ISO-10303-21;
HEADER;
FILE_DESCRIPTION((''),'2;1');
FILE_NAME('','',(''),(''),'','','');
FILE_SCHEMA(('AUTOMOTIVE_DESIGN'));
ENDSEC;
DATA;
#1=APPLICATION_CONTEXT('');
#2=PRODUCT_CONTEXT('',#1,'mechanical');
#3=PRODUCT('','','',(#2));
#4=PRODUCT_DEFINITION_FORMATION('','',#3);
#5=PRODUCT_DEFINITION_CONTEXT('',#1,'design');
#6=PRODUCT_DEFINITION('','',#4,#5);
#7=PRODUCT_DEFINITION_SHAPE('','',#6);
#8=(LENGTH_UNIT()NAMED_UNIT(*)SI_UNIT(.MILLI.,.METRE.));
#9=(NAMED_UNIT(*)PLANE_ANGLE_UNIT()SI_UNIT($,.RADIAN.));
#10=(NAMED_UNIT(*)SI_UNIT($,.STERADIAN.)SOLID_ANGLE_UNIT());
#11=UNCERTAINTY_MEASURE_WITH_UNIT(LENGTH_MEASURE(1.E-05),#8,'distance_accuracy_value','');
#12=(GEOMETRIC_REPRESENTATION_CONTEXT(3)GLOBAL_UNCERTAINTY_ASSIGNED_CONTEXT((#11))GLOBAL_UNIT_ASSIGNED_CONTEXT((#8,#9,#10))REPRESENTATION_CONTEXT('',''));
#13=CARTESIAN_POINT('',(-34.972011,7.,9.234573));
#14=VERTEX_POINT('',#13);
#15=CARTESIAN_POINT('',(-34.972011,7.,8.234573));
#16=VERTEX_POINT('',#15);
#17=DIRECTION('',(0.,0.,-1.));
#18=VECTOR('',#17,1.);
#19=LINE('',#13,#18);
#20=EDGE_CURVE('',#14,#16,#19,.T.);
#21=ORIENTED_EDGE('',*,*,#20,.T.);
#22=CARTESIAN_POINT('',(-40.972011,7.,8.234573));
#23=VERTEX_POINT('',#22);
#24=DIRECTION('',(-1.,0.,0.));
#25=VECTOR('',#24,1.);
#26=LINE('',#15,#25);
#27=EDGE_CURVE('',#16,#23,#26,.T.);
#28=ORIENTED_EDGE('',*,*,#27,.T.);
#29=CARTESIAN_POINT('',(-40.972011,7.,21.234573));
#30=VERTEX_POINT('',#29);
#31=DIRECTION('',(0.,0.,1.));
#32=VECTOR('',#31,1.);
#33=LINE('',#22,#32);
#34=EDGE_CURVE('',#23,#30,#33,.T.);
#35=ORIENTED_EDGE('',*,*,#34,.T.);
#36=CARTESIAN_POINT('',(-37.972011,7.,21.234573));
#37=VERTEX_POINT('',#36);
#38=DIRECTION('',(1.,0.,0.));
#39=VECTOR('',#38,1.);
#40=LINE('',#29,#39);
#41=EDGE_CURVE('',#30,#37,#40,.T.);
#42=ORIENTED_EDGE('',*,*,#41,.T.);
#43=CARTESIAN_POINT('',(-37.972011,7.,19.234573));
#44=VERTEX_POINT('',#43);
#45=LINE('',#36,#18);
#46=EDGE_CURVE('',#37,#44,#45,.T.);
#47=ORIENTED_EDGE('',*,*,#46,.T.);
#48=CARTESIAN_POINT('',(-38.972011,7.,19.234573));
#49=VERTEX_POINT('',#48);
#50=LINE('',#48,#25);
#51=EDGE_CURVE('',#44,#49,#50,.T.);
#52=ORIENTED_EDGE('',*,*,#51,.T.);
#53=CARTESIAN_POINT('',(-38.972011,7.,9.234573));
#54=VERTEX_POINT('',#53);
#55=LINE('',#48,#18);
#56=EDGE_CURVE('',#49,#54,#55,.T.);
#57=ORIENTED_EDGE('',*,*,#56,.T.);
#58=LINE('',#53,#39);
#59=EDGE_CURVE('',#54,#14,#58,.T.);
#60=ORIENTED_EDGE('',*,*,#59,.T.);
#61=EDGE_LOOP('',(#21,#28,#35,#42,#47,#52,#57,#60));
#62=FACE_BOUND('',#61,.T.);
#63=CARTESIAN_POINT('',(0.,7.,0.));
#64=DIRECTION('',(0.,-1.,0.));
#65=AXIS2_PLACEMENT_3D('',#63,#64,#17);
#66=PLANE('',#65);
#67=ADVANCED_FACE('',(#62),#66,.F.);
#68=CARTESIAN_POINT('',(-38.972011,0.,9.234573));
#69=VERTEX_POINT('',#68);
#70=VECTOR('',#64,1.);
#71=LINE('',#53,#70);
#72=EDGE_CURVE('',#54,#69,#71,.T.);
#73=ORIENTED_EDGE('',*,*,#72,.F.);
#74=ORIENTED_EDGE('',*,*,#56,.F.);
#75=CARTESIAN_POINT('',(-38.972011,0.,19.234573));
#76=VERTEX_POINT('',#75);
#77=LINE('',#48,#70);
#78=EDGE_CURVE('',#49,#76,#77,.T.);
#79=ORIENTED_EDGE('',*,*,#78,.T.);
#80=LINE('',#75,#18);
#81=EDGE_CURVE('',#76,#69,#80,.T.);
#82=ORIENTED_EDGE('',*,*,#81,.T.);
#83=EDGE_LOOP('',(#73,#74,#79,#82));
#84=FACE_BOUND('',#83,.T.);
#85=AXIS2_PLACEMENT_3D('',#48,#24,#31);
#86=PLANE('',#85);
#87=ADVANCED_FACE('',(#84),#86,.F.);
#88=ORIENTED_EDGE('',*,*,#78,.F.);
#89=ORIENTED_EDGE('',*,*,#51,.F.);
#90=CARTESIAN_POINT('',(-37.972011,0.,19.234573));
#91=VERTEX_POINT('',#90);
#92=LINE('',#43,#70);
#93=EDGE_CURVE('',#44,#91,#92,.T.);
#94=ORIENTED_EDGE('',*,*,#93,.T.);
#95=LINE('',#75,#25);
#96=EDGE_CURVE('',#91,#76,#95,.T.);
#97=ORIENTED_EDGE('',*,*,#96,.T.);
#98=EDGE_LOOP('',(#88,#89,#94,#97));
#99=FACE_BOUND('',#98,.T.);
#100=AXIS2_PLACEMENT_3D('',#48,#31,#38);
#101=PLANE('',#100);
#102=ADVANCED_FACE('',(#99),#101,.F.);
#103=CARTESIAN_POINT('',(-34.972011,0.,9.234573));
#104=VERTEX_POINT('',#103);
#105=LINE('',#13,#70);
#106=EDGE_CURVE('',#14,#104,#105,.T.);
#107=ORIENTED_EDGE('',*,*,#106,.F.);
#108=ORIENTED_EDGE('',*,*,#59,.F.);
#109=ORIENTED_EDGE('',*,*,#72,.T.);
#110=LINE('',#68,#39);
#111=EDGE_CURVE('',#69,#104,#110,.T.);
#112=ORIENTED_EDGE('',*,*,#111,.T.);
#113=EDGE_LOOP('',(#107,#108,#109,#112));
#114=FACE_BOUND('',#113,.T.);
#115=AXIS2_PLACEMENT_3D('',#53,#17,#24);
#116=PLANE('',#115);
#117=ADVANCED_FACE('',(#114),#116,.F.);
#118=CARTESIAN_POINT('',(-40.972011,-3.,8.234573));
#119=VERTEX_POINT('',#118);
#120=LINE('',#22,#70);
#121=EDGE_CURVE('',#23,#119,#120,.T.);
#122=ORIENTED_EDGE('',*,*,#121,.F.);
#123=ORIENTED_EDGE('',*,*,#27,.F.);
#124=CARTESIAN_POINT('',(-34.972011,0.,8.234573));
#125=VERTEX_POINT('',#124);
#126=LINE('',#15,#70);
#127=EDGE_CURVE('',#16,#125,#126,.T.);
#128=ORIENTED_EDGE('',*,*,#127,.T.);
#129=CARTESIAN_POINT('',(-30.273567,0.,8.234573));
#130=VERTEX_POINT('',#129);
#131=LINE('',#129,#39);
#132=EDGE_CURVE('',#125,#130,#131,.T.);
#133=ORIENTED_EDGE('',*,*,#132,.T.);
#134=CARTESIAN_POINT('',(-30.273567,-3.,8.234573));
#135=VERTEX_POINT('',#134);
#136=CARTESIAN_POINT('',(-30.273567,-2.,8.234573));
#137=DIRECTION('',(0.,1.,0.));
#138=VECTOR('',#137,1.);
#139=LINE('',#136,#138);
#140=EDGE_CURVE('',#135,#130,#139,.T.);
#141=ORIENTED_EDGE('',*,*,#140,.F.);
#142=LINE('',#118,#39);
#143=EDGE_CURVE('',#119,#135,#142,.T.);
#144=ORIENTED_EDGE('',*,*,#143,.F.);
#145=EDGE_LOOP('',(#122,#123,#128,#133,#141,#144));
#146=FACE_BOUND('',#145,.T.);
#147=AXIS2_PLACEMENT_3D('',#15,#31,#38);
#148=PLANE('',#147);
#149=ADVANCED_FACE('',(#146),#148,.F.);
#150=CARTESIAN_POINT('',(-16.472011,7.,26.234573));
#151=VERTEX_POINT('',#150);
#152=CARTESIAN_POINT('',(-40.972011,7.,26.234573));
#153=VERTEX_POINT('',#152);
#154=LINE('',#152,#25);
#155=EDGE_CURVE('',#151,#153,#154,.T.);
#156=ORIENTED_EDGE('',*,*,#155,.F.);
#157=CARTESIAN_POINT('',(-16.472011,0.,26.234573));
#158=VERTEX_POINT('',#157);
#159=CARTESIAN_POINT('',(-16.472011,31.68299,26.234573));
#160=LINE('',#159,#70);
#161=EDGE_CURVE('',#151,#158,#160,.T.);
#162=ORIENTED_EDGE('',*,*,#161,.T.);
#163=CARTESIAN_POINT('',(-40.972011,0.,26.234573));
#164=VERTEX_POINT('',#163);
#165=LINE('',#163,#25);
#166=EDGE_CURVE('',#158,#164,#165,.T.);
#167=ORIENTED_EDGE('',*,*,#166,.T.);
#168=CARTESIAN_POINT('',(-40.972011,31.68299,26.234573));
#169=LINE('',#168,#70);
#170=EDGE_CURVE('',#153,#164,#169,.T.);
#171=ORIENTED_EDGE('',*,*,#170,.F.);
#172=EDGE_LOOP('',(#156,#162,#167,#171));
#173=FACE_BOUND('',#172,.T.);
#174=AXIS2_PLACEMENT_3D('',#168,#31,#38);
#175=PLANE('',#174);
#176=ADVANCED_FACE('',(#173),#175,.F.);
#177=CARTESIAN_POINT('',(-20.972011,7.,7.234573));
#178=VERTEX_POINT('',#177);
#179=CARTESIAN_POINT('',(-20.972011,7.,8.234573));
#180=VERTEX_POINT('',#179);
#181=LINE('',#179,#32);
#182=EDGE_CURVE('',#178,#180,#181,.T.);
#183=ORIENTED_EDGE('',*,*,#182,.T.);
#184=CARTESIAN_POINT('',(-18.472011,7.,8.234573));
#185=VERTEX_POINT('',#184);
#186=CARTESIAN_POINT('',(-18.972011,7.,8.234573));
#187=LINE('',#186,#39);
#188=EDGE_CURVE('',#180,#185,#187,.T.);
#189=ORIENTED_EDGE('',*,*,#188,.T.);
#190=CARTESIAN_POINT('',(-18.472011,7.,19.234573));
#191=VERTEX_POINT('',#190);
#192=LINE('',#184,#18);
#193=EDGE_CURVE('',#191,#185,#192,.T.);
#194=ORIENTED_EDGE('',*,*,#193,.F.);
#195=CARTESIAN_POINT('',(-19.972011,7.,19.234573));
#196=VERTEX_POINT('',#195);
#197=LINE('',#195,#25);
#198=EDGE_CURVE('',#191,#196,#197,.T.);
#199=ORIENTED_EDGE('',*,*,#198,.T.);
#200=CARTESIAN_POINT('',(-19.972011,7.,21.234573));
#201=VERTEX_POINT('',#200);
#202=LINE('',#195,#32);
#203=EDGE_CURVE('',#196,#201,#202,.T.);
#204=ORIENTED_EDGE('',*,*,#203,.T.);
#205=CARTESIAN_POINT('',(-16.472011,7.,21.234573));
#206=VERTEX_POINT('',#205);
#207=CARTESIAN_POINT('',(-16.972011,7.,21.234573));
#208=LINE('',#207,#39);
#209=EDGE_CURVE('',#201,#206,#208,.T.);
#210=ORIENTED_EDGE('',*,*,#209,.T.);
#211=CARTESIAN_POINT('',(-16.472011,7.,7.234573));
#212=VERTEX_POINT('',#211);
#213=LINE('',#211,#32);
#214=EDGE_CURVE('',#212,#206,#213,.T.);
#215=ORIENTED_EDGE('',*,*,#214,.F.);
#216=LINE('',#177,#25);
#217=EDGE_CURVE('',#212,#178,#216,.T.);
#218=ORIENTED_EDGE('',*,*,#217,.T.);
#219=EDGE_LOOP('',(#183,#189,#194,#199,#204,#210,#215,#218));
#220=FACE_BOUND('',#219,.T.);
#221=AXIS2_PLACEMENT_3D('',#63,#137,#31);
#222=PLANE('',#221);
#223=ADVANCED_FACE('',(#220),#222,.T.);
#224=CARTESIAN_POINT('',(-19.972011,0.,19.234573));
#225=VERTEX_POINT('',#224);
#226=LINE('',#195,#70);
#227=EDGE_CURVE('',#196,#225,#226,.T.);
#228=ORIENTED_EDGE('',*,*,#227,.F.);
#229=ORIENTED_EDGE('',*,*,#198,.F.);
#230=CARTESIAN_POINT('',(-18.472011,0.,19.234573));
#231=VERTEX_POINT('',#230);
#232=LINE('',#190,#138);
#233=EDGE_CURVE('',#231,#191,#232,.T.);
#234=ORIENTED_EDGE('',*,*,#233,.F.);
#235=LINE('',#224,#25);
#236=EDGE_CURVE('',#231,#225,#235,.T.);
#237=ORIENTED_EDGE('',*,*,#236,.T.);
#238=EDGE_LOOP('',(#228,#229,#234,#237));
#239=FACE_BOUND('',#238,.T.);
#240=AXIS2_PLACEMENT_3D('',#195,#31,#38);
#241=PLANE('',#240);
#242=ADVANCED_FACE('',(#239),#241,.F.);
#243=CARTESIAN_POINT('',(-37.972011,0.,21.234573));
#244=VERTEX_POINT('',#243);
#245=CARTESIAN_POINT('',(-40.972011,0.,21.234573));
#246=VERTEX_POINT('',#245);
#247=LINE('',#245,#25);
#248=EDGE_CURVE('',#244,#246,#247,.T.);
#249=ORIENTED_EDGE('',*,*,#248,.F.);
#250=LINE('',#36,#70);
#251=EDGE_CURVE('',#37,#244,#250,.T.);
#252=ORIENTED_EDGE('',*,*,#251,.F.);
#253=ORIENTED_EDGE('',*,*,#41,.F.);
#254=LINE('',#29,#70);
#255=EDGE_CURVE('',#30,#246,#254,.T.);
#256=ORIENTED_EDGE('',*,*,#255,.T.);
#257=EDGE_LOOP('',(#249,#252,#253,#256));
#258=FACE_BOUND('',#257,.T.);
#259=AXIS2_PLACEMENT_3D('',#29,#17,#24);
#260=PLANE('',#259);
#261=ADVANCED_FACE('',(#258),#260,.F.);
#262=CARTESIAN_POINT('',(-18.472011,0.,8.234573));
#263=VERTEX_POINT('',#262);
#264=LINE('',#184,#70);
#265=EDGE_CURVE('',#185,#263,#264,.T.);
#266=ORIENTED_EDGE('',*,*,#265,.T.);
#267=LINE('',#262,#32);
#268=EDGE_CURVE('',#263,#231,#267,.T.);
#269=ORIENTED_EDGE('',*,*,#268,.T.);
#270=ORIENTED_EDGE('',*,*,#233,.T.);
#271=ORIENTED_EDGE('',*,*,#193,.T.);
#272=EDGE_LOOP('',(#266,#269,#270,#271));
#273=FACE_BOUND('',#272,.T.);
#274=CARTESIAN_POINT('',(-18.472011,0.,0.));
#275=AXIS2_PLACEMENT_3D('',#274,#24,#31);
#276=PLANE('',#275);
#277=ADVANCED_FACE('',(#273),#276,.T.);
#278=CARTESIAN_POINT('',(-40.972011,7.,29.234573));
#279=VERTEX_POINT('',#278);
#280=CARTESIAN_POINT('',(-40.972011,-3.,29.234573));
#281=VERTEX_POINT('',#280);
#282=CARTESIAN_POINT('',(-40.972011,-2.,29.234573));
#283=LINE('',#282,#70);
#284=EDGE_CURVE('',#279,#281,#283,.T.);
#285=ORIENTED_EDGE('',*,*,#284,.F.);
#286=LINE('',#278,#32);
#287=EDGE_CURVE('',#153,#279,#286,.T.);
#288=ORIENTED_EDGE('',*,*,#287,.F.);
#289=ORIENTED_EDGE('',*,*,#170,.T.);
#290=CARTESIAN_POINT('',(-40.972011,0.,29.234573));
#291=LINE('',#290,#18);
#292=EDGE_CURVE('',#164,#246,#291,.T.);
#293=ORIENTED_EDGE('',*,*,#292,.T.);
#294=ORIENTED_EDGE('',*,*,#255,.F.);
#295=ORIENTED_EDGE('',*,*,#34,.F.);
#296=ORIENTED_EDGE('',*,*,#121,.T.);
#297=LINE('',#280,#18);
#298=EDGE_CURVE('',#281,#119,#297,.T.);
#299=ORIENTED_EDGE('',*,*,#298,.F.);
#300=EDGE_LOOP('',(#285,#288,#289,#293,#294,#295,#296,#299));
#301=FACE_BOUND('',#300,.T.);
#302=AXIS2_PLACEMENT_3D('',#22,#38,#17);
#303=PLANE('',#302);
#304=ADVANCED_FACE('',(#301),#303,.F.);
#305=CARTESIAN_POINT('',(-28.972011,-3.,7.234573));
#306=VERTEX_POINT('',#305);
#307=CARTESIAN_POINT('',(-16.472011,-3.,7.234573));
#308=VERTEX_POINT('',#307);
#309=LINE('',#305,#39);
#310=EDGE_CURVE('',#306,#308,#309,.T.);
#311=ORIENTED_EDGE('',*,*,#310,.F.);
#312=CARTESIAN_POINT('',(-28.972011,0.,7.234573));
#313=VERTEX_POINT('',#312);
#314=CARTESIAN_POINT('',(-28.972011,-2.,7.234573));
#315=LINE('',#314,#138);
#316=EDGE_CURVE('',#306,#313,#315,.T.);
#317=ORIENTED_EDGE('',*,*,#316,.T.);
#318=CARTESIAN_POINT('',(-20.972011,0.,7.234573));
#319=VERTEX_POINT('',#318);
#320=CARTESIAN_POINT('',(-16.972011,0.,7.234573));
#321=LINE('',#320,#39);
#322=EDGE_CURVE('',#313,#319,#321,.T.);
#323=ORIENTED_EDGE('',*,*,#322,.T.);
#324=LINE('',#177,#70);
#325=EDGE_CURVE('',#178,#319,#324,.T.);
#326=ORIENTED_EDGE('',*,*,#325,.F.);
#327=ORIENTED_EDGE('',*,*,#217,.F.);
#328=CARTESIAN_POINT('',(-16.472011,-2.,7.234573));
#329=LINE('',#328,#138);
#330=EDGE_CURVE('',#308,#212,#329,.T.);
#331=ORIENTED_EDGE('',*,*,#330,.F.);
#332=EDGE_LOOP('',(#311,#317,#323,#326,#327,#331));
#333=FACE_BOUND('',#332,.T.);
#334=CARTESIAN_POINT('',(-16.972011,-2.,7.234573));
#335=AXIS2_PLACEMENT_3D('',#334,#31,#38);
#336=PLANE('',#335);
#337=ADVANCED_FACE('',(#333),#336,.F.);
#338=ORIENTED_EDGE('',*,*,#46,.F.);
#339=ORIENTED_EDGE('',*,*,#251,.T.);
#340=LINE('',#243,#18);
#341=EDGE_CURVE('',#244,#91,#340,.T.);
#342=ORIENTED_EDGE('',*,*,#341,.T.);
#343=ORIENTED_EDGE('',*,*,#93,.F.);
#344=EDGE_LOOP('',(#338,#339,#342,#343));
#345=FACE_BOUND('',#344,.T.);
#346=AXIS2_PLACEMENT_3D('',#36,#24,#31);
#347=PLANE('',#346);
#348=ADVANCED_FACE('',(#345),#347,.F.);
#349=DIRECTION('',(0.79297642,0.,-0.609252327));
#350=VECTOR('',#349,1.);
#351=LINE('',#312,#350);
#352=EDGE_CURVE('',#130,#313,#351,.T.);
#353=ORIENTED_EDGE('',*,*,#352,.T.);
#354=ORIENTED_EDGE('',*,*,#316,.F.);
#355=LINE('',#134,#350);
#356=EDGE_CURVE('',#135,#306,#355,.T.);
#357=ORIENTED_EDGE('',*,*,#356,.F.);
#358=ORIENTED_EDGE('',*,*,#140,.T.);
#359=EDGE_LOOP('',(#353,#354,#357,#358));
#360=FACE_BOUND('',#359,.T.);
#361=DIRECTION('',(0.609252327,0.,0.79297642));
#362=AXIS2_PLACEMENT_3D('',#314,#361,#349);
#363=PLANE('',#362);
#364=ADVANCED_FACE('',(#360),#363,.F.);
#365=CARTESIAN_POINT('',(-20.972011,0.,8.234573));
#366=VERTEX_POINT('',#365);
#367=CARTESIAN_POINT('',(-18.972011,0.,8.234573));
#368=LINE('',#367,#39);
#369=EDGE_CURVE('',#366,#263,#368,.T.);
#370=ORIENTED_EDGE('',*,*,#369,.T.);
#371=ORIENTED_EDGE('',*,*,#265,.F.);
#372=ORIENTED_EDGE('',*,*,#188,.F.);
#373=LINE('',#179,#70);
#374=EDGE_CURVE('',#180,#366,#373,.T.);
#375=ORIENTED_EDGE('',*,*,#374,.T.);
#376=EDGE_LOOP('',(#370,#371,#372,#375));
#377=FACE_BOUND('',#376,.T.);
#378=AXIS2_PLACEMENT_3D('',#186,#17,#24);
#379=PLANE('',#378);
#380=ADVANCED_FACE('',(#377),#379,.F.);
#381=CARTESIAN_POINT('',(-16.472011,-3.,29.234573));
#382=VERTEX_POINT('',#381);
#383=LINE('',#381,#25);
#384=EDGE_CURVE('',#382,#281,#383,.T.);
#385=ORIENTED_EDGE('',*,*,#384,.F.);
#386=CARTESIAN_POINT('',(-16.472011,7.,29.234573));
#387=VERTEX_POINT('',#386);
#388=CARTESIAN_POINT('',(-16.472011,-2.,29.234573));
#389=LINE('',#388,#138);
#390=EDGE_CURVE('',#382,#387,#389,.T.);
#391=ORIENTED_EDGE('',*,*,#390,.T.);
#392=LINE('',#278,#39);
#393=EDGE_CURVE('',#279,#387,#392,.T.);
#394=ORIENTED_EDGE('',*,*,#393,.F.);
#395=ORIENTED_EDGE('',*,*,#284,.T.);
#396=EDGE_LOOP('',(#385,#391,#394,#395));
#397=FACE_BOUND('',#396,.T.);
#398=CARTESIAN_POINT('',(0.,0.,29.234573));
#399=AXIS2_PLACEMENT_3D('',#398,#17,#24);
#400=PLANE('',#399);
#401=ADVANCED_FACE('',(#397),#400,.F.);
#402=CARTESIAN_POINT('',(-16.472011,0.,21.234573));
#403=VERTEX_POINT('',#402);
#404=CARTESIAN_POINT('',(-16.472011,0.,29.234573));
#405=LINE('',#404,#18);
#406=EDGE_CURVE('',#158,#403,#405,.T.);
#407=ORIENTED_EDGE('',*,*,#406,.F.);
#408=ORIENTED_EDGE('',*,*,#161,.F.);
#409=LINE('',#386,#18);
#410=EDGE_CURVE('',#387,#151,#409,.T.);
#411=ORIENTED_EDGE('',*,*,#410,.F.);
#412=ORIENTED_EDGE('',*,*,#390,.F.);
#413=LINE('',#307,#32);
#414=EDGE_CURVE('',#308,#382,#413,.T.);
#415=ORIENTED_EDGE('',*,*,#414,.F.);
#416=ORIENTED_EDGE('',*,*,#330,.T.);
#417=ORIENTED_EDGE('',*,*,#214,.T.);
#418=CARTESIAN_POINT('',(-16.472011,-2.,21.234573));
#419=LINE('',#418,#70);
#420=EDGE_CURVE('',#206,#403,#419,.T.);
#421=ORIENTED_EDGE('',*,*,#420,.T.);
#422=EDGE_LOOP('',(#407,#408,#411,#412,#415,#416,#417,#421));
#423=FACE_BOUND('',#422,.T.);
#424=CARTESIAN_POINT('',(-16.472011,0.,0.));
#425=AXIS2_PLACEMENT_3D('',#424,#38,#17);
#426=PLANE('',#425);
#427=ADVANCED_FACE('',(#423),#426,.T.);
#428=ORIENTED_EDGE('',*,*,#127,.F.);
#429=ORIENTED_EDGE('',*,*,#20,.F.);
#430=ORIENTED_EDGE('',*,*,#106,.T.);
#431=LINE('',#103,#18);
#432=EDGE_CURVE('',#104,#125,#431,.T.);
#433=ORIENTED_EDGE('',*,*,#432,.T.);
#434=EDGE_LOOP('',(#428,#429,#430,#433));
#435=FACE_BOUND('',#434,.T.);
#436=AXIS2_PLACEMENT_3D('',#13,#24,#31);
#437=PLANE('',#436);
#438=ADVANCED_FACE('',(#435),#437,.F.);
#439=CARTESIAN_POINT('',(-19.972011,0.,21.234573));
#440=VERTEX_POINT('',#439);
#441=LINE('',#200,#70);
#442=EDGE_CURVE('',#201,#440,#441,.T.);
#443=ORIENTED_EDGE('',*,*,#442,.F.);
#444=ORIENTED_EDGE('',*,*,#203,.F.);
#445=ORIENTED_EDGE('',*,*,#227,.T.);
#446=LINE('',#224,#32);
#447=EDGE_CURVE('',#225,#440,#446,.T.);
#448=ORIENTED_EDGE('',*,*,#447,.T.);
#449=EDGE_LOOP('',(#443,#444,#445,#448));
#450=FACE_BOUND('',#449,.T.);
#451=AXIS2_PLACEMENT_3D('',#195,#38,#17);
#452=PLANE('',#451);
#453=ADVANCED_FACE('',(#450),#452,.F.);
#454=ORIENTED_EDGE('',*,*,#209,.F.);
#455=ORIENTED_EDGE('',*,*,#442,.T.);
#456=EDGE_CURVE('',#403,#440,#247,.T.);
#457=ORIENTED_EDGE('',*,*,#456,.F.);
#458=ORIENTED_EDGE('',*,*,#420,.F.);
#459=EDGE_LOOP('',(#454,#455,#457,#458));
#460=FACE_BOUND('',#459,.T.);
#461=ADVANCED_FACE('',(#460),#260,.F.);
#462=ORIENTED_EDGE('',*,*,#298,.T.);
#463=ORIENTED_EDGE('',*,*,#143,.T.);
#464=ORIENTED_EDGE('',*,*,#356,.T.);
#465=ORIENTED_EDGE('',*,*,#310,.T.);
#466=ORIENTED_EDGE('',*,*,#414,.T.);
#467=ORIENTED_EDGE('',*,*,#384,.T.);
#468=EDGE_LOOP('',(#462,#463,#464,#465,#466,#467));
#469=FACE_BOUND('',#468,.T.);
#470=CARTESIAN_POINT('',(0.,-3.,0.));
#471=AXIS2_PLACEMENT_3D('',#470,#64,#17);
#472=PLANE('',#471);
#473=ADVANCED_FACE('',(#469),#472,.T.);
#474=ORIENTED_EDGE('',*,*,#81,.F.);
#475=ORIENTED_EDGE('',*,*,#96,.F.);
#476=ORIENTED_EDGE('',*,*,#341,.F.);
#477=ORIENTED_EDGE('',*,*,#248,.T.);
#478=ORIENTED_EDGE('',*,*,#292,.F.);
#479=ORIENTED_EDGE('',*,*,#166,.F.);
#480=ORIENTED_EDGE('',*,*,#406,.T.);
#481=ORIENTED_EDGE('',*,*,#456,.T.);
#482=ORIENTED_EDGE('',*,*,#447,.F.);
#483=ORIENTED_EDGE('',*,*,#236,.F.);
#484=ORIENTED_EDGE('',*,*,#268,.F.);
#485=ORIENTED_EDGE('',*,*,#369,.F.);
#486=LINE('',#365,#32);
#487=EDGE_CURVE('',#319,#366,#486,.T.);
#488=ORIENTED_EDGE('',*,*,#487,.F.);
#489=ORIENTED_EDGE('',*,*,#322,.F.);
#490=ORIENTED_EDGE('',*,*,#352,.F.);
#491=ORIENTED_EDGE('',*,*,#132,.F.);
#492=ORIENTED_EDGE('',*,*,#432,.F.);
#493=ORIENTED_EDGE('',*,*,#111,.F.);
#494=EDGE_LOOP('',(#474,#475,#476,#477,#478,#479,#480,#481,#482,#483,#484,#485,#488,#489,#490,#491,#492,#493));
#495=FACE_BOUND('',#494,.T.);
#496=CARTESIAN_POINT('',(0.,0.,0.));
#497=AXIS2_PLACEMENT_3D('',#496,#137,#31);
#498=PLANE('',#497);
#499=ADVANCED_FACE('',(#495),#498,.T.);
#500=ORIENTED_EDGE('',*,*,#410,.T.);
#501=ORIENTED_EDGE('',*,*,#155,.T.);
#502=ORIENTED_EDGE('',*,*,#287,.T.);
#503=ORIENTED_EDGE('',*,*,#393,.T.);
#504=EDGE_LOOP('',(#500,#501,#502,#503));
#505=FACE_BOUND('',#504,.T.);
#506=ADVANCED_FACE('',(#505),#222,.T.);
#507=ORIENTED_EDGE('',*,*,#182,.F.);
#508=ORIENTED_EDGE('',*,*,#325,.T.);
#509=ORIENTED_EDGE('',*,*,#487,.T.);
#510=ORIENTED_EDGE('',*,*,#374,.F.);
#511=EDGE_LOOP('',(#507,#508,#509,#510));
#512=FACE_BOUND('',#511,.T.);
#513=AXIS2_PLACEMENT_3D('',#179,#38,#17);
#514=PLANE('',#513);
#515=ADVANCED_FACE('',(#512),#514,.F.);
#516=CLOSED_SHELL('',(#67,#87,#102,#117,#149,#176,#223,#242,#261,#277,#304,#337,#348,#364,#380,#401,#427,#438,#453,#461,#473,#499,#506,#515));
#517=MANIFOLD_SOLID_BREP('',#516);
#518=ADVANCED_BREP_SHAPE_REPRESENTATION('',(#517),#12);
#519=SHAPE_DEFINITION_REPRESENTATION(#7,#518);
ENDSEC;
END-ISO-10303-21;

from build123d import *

# Parameters (mm, degrees)
BOSS_EXTRUDE1_DEPTH   = 7
BOSS_EXTRUDE1_2_DEPTH = 7
BOSS_EXTRUDE2_DEPTH   = 2
SKETCH4_W             = 14
SKETCH4_H             = 9
BOSS_EXTRUDE3_DEPTH   = 0.5
SKETCH5_W             = 11
SKETCH5_H             = 7
CUT_EXTRUDE1_DEPTH    = 0.5
SKETCH6_W             = 24.5
SKETCH6_H             = 2
BOSS_EXTRUDE4_DEPTH   = 8
SKETCH7_W             = 24.5
SKETCH7_H             = 3
BOSS_EXTRUDE5_DEPTH   = 7
BOSS_EXTRUDE6_DEPTH   = 1


with BuildPart() as part:
    # Sketch1 → Boss-Extrude1 (new body)
    with BuildSketch(Plane(origin=(0, 0, 0), x_dir=(1, 0, 0), z_dir=(0, 1, 0))):
        Polygon((-38.972010623, -19.234572985), (-37.972010623, -19.234572985), (-37.972010623, -21.234572985), (-40.972010623, -21.234572985), (-40.972010623, -8.234572985), (-34.972010623, -8.234572985), (-34.972010623, -9.234572985), (-38.972010623, -9.234572985), align=None)
    extrude(amount=BOSS_EXTRUDE1_DEPTH)



with BuildPart() as body_2:
    # Sketch1 → Boss-Extrude1 2 (new body)
    with BuildSketch(Plane(origin=(0, 0, 0), x_dir=(1, 0, 0), z_dir=(0, 1, 0))):
        Polygon((-18.972010623, -19.234572985), (-18.972010623, -8.234572985), (-20.972010623, -8.234572985), (-20.972010623, -7.234572985), (-16.972010623, -7.234572985), (-16.972010623, -21.234572985), (-19.972010623, -21.234572985), (-19.972010623, -19.234572985), align=None)
    extrude(amount=BOSS_EXTRUDE1_2_DEPTH)


with BuildPart() as part_1:
    add(part.part)

    add(body_2.part)  # Boss-Extrude2 merges body 2
    # Sketch2 → Boss-Extrude2 (add)
    with BuildSketch(Plane.XZ):
        Polygon((-40.972010623, 21.234572985), (-16.972010623, 21.234572985), (-16.972010623, 7.234572985), (-28.972010623, 7.234572985), (-30.273567276, 8.234572985), (-40.972010623, 8.234572985), align=None)
    extrude(amount=BOSS_EXTRUDE2_DEPTH)

    # Sketch4 → Boss-Extrude3 (add)
    with BuildSketch(Plane(origin=(-16.972010623, 0, 0), x_dir=(0, 0, -1), z_dir=(1, 0, 0))):
        with Locations((-14.234572985, 2.5)):
            Rectangle(SKETCH4_W, SKETCH4_H)
    extrude(amount=BOSS_EXTRUDE3_DEPTH)

    # Sketch5 → Cut-Extrude1 (cut)
    with BuildSketch(Plane.ZY.offset(18.972010623)):
        with Locations((13.734572985, 3.5)):
            Rectangle(SKETCH5_W, SKETCH5_H)
    extrude(amount=-CUT_EXTRUDE1_DEPTH, mode=Mode.SUBTRACT)

    # Sketch6 → Boss-Extrude4 (add)
    with BuildSketch(Plane.XY.offset(21.234572985)):
        with Locations((-28.722010623, -1)):
            Rectangle(SKETCH6_W, SKETCH6_H)
    extrude(amount=BOSS_EXTRUDE4_DEPTH)

    # Sketch7 → Boss-Extrude5 (add)
    with BuildSketch(Plane(origin=(0, 0, 0), x_dir=(1, 0, 0), z_dir=(0, 1, 0))):
        with Locations((-28.722010623, -27.734572985)):
            Rectangle(SKETCH7_W, SKETCH7_H)
    extrude(amount=BOSS_EXTRUDE5_DEPTH)

    # Sketch8 → Boss-Extrude6 (add)
    with BuildSketch(Plane.XZ.offset(2)):
        Polygon((-40.972010623, 29.234572985), (-40.972010623, 8.234572985), (-30.273567276, 8.234572985), (-28.972010623, 7.234572985), (-16.472010623, 7.234572985), (-16.472010623, 29.234572985), align=None)
    extrude(amount=BOSS_EXTRUDE6_DEPTH)


solid = part_1.part
